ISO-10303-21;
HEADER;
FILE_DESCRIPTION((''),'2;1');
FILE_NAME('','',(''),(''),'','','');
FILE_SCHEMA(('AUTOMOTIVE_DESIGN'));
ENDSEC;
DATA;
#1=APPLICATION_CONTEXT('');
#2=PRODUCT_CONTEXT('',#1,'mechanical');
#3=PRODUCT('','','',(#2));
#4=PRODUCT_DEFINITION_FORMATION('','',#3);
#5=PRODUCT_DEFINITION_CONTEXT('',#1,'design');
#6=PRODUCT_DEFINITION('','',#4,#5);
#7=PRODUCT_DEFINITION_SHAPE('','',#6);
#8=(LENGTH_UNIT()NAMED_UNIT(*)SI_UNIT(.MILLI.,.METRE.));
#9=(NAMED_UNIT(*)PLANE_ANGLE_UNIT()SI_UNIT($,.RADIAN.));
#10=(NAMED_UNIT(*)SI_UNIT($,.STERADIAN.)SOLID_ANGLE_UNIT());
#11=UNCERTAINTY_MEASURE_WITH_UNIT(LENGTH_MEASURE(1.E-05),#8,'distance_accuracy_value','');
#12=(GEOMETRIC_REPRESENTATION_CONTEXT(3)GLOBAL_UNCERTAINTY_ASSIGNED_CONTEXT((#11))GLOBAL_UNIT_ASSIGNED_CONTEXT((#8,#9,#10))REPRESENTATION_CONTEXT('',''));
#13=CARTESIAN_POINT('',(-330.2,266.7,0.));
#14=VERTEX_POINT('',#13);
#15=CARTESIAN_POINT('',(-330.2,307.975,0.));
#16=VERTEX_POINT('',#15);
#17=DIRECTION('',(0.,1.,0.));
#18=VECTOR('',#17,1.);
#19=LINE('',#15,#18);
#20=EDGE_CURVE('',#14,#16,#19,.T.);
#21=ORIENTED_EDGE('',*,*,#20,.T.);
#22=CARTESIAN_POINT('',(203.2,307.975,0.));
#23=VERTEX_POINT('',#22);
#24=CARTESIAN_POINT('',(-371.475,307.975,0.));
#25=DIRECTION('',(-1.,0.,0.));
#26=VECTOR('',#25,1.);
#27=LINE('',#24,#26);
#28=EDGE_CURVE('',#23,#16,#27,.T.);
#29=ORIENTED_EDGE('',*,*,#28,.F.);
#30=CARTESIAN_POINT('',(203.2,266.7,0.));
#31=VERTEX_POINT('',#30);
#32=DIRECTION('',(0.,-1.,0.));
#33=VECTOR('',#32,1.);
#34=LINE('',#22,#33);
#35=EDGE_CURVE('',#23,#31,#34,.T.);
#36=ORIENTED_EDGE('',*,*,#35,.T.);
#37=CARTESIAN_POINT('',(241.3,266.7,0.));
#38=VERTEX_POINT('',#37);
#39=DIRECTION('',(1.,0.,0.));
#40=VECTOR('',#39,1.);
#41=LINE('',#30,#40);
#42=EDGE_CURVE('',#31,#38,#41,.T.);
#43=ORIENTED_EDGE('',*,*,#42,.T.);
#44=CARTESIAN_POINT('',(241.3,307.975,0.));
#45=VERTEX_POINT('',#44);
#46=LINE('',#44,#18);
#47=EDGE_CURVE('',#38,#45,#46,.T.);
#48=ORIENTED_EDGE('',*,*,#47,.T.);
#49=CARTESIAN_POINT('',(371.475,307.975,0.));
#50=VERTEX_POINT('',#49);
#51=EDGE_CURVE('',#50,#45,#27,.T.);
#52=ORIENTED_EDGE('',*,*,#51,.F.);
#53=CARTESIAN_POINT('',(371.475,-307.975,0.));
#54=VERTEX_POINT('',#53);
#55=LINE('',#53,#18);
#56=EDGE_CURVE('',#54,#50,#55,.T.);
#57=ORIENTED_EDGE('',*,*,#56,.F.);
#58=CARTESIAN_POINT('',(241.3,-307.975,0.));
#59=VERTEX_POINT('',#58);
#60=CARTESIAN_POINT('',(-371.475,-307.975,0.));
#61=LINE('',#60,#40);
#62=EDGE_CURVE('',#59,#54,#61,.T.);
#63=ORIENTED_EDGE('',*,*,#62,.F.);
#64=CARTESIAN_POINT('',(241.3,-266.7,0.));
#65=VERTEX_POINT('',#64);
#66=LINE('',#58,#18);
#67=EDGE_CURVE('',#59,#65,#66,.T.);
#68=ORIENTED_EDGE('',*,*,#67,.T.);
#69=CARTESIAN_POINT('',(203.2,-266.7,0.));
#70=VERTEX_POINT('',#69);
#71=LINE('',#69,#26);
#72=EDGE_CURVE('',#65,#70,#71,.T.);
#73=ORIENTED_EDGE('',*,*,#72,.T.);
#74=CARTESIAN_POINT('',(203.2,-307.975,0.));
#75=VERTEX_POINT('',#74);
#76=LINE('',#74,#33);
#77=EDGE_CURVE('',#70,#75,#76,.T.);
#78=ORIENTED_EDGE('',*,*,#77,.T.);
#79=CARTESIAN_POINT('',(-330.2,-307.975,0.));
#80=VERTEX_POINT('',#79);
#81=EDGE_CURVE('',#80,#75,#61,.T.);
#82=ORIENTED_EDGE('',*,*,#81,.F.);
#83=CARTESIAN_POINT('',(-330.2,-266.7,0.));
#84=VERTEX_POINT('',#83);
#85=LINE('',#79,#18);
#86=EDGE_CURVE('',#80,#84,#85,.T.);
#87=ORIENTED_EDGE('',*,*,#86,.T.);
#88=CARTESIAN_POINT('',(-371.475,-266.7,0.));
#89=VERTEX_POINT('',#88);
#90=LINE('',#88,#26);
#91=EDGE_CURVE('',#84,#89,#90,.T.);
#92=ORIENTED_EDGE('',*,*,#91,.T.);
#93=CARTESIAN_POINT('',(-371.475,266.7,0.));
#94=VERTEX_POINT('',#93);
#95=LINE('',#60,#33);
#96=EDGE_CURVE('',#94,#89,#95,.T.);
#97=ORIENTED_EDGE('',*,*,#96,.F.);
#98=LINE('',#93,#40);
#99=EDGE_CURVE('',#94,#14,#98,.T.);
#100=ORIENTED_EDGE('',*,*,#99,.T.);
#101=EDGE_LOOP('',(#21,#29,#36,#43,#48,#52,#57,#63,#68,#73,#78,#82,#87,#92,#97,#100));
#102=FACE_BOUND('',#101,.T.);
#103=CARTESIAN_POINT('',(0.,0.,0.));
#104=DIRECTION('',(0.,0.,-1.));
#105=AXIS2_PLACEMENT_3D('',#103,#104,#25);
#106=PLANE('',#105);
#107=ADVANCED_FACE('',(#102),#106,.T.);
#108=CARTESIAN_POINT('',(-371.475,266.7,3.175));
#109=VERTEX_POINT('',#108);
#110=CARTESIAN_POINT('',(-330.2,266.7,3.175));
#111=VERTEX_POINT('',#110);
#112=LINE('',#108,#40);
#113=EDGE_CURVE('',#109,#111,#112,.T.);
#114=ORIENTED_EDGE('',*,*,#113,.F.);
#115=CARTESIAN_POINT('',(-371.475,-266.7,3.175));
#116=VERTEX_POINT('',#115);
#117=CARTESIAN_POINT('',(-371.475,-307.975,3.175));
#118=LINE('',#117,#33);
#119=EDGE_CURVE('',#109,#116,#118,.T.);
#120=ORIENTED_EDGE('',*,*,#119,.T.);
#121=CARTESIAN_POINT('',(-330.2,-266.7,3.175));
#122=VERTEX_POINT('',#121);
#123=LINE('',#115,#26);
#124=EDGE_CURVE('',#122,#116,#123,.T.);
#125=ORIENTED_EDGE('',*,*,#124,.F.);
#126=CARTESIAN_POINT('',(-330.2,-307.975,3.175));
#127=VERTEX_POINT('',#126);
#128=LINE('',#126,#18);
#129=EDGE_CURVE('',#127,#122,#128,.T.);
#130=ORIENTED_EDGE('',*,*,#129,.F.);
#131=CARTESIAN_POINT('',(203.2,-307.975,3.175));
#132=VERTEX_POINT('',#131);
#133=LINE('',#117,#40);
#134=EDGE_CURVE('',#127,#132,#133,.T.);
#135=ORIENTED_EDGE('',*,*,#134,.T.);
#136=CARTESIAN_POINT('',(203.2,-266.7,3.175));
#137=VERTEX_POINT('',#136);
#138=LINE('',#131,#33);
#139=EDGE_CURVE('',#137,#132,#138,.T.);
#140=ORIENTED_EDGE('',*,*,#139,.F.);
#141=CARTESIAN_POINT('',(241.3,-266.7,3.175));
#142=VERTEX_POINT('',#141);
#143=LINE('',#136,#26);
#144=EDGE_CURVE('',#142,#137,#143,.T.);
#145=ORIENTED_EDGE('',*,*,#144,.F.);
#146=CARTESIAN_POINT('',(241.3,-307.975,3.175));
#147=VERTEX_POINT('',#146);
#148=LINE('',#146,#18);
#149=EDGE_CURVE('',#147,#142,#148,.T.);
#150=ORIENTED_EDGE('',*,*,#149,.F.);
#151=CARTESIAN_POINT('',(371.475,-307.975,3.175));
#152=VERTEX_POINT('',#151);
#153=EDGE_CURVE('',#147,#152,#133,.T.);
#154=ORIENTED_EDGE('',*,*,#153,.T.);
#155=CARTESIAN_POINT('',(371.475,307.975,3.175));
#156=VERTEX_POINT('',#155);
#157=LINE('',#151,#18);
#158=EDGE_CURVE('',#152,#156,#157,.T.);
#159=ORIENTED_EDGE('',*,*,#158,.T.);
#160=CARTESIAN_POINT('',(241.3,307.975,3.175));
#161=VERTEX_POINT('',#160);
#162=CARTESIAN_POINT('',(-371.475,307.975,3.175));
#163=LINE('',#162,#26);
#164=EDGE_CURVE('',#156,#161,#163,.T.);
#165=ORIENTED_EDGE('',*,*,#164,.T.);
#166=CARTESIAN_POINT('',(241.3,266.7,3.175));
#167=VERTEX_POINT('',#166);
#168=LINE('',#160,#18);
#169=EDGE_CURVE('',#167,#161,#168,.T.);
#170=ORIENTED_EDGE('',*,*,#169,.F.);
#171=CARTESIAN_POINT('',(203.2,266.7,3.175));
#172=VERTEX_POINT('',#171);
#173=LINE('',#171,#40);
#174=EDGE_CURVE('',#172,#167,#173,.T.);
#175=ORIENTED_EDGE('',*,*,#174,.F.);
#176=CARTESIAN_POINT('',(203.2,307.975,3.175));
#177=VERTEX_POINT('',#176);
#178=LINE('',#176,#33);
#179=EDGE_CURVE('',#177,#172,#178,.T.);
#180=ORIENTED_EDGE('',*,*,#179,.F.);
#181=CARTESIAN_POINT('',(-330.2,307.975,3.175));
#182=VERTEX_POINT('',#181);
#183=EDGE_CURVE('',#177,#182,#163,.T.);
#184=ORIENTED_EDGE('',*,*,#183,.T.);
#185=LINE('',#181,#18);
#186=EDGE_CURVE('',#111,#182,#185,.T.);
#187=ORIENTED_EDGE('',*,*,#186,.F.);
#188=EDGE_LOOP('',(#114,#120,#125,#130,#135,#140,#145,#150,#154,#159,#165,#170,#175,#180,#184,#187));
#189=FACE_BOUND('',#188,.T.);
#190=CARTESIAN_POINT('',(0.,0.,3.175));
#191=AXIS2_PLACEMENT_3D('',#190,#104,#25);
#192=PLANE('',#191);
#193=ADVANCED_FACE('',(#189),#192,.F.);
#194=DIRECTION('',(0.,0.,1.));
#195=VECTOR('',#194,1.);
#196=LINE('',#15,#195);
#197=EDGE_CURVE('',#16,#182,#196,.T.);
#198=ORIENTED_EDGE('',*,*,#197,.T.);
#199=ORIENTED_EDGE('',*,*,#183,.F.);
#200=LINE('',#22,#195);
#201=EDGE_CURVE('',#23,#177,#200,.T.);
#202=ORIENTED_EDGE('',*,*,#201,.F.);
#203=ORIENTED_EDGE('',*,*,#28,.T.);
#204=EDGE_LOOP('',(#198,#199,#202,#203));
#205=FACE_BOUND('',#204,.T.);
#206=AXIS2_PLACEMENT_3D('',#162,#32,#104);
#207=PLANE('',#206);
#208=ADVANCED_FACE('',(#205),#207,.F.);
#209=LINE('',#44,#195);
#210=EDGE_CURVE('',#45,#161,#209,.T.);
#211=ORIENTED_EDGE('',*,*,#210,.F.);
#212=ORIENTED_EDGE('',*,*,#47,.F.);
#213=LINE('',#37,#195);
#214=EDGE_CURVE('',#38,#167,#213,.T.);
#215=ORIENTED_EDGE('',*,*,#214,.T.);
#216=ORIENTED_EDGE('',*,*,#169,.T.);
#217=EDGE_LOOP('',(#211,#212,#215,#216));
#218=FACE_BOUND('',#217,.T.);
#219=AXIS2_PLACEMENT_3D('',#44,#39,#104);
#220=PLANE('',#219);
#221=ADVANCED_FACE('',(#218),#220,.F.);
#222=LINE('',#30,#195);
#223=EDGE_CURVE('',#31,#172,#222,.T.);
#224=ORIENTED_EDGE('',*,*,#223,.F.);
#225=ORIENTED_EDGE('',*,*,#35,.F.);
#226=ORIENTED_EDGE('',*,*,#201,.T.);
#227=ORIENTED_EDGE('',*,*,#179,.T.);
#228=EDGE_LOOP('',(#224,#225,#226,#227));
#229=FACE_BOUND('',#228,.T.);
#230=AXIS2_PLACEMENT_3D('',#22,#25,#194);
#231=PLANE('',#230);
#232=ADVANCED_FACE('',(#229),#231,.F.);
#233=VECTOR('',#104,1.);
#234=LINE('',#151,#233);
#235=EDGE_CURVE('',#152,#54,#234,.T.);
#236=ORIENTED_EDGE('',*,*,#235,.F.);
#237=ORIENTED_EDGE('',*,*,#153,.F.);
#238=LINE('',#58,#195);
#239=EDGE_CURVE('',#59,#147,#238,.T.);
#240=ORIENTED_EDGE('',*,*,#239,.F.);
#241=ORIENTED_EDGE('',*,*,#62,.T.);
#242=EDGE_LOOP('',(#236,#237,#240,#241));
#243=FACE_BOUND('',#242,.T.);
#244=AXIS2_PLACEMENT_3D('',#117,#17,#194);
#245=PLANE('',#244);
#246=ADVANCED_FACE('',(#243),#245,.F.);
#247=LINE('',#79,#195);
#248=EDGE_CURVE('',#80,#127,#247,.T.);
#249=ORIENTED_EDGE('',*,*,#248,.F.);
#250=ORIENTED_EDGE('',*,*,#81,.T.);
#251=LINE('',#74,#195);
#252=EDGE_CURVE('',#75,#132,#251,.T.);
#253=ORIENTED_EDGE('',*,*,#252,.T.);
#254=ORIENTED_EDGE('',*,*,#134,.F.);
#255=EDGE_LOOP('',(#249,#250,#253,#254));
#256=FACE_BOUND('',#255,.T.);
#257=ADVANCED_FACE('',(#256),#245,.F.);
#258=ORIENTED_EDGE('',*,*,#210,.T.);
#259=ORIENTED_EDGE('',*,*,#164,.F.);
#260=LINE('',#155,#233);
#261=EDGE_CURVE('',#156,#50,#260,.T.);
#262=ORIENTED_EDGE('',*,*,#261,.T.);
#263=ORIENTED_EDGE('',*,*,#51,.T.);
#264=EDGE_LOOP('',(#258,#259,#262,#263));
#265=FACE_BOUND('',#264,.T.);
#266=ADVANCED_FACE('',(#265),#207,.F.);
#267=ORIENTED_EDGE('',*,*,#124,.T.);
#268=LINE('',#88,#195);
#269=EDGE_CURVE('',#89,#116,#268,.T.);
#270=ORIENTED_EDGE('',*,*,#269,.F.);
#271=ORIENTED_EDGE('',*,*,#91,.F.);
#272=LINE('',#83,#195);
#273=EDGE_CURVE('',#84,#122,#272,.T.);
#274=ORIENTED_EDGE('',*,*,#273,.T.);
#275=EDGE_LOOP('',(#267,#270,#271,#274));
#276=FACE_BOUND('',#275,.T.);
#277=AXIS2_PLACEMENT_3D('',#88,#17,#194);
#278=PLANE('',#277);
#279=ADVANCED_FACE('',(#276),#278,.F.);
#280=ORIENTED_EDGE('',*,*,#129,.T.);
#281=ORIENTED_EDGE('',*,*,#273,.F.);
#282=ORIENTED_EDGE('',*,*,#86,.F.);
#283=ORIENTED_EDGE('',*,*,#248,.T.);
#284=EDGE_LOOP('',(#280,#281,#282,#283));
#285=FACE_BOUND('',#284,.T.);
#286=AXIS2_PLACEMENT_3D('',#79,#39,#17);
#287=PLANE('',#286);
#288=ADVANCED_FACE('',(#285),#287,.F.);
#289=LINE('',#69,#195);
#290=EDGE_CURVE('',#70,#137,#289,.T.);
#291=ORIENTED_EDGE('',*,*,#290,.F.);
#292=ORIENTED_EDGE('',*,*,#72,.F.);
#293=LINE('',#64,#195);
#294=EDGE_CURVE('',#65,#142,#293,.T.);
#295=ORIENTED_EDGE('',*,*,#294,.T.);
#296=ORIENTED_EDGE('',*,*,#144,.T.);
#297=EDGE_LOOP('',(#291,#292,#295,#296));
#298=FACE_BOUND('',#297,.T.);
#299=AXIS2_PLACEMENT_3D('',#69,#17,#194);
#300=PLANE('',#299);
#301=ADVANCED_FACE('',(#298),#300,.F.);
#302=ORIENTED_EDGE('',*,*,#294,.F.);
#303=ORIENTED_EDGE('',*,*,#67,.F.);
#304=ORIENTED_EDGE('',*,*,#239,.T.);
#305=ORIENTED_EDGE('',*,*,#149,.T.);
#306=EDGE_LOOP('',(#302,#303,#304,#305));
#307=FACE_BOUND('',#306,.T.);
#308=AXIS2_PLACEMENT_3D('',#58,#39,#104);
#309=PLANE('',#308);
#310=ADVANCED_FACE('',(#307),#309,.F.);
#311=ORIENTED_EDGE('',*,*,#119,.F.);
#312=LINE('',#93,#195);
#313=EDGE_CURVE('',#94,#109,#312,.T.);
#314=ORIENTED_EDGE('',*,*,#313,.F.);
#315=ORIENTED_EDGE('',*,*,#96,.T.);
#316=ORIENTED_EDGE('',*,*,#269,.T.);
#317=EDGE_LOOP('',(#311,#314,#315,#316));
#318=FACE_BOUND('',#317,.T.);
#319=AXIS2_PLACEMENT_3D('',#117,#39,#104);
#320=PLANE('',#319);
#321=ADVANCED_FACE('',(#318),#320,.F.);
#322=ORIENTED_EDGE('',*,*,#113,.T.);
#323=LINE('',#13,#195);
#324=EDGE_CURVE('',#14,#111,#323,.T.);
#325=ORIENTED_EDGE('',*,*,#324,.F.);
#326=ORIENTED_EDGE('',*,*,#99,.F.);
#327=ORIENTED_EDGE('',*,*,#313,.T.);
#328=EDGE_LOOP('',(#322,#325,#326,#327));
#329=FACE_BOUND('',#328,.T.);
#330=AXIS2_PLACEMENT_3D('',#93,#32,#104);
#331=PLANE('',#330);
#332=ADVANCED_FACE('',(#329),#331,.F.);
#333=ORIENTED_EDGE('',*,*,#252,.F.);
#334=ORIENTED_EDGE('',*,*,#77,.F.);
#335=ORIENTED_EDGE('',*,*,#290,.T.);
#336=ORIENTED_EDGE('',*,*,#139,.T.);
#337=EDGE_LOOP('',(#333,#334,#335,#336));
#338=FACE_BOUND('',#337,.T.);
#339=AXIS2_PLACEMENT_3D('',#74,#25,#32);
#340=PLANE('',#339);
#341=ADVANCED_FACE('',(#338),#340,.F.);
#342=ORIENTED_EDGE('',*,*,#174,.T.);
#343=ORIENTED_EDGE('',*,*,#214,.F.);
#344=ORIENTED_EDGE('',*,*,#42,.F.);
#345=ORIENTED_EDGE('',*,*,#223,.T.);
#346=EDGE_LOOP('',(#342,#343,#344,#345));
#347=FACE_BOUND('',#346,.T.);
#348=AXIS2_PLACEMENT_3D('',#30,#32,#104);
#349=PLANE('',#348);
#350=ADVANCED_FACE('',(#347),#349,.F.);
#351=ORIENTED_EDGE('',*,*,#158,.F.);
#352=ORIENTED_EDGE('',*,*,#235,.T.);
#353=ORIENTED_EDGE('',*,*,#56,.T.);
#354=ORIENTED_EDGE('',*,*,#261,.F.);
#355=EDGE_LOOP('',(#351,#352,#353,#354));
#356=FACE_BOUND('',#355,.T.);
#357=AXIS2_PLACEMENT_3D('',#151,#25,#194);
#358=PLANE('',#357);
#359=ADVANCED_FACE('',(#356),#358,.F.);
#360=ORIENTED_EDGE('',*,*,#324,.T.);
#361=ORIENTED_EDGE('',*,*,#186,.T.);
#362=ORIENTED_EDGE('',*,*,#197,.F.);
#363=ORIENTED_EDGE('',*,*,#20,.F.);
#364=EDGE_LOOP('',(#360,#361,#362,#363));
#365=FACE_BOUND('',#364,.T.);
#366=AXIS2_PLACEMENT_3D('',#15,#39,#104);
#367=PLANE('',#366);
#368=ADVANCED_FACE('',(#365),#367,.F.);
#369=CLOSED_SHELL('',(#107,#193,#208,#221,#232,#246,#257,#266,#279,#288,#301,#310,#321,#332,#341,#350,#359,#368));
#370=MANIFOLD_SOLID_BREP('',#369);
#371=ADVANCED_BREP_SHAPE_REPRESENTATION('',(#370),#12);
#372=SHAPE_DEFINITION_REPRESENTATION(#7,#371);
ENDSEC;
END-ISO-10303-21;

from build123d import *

# Parameters (mm, degrees)
SKETCH1_W           = 742.95
SKETCH1_H           = 615.95
BOSS_EXTRUDE1_DEPTH = 3.175
SKETCH2_W           = 41.275
SKETCH2_H           = 41.275
SKETCH2_W_2         = 38.1
CUT_EXTRUDE1_DEPTH  = 483.54777678


with BuildPart() as part:
    # Sketch1 → Boss-Extrude1 (new body)
    with BuildSketch(Plane.XY):
        Rectangle(SKETCH1_W, SKETCH1_H)
    extrude(amount=BOSS_EXTRUDE1_DEPTH)

    # Sketch2 → Cut-Extrude1 (cut, through all)
    with BuildSketch(Plane.XY.offset(3.175)):
        with Locations((-350.8375, 287.3375)):
            Rectangle(SKETCH2_W, SKETCH2_H)
        with Locations((-350.8375, -287.3375)):
            Rectangle(SKETCH2_W, SKETCH2_H)
        with Locations((222.25, 287.3375)):
            Rectangle(SKETCH2_W_2, SKETCH2_H)
        with Locations((222.25, -287.3375)):
            Rectangle(SKETCH2_W_2, SKETCH2_H)
    extrude(amount=-CUT_EXTRUDE1_DEPTH, mode=Mode.SUBTRACT)


solid = part.part
